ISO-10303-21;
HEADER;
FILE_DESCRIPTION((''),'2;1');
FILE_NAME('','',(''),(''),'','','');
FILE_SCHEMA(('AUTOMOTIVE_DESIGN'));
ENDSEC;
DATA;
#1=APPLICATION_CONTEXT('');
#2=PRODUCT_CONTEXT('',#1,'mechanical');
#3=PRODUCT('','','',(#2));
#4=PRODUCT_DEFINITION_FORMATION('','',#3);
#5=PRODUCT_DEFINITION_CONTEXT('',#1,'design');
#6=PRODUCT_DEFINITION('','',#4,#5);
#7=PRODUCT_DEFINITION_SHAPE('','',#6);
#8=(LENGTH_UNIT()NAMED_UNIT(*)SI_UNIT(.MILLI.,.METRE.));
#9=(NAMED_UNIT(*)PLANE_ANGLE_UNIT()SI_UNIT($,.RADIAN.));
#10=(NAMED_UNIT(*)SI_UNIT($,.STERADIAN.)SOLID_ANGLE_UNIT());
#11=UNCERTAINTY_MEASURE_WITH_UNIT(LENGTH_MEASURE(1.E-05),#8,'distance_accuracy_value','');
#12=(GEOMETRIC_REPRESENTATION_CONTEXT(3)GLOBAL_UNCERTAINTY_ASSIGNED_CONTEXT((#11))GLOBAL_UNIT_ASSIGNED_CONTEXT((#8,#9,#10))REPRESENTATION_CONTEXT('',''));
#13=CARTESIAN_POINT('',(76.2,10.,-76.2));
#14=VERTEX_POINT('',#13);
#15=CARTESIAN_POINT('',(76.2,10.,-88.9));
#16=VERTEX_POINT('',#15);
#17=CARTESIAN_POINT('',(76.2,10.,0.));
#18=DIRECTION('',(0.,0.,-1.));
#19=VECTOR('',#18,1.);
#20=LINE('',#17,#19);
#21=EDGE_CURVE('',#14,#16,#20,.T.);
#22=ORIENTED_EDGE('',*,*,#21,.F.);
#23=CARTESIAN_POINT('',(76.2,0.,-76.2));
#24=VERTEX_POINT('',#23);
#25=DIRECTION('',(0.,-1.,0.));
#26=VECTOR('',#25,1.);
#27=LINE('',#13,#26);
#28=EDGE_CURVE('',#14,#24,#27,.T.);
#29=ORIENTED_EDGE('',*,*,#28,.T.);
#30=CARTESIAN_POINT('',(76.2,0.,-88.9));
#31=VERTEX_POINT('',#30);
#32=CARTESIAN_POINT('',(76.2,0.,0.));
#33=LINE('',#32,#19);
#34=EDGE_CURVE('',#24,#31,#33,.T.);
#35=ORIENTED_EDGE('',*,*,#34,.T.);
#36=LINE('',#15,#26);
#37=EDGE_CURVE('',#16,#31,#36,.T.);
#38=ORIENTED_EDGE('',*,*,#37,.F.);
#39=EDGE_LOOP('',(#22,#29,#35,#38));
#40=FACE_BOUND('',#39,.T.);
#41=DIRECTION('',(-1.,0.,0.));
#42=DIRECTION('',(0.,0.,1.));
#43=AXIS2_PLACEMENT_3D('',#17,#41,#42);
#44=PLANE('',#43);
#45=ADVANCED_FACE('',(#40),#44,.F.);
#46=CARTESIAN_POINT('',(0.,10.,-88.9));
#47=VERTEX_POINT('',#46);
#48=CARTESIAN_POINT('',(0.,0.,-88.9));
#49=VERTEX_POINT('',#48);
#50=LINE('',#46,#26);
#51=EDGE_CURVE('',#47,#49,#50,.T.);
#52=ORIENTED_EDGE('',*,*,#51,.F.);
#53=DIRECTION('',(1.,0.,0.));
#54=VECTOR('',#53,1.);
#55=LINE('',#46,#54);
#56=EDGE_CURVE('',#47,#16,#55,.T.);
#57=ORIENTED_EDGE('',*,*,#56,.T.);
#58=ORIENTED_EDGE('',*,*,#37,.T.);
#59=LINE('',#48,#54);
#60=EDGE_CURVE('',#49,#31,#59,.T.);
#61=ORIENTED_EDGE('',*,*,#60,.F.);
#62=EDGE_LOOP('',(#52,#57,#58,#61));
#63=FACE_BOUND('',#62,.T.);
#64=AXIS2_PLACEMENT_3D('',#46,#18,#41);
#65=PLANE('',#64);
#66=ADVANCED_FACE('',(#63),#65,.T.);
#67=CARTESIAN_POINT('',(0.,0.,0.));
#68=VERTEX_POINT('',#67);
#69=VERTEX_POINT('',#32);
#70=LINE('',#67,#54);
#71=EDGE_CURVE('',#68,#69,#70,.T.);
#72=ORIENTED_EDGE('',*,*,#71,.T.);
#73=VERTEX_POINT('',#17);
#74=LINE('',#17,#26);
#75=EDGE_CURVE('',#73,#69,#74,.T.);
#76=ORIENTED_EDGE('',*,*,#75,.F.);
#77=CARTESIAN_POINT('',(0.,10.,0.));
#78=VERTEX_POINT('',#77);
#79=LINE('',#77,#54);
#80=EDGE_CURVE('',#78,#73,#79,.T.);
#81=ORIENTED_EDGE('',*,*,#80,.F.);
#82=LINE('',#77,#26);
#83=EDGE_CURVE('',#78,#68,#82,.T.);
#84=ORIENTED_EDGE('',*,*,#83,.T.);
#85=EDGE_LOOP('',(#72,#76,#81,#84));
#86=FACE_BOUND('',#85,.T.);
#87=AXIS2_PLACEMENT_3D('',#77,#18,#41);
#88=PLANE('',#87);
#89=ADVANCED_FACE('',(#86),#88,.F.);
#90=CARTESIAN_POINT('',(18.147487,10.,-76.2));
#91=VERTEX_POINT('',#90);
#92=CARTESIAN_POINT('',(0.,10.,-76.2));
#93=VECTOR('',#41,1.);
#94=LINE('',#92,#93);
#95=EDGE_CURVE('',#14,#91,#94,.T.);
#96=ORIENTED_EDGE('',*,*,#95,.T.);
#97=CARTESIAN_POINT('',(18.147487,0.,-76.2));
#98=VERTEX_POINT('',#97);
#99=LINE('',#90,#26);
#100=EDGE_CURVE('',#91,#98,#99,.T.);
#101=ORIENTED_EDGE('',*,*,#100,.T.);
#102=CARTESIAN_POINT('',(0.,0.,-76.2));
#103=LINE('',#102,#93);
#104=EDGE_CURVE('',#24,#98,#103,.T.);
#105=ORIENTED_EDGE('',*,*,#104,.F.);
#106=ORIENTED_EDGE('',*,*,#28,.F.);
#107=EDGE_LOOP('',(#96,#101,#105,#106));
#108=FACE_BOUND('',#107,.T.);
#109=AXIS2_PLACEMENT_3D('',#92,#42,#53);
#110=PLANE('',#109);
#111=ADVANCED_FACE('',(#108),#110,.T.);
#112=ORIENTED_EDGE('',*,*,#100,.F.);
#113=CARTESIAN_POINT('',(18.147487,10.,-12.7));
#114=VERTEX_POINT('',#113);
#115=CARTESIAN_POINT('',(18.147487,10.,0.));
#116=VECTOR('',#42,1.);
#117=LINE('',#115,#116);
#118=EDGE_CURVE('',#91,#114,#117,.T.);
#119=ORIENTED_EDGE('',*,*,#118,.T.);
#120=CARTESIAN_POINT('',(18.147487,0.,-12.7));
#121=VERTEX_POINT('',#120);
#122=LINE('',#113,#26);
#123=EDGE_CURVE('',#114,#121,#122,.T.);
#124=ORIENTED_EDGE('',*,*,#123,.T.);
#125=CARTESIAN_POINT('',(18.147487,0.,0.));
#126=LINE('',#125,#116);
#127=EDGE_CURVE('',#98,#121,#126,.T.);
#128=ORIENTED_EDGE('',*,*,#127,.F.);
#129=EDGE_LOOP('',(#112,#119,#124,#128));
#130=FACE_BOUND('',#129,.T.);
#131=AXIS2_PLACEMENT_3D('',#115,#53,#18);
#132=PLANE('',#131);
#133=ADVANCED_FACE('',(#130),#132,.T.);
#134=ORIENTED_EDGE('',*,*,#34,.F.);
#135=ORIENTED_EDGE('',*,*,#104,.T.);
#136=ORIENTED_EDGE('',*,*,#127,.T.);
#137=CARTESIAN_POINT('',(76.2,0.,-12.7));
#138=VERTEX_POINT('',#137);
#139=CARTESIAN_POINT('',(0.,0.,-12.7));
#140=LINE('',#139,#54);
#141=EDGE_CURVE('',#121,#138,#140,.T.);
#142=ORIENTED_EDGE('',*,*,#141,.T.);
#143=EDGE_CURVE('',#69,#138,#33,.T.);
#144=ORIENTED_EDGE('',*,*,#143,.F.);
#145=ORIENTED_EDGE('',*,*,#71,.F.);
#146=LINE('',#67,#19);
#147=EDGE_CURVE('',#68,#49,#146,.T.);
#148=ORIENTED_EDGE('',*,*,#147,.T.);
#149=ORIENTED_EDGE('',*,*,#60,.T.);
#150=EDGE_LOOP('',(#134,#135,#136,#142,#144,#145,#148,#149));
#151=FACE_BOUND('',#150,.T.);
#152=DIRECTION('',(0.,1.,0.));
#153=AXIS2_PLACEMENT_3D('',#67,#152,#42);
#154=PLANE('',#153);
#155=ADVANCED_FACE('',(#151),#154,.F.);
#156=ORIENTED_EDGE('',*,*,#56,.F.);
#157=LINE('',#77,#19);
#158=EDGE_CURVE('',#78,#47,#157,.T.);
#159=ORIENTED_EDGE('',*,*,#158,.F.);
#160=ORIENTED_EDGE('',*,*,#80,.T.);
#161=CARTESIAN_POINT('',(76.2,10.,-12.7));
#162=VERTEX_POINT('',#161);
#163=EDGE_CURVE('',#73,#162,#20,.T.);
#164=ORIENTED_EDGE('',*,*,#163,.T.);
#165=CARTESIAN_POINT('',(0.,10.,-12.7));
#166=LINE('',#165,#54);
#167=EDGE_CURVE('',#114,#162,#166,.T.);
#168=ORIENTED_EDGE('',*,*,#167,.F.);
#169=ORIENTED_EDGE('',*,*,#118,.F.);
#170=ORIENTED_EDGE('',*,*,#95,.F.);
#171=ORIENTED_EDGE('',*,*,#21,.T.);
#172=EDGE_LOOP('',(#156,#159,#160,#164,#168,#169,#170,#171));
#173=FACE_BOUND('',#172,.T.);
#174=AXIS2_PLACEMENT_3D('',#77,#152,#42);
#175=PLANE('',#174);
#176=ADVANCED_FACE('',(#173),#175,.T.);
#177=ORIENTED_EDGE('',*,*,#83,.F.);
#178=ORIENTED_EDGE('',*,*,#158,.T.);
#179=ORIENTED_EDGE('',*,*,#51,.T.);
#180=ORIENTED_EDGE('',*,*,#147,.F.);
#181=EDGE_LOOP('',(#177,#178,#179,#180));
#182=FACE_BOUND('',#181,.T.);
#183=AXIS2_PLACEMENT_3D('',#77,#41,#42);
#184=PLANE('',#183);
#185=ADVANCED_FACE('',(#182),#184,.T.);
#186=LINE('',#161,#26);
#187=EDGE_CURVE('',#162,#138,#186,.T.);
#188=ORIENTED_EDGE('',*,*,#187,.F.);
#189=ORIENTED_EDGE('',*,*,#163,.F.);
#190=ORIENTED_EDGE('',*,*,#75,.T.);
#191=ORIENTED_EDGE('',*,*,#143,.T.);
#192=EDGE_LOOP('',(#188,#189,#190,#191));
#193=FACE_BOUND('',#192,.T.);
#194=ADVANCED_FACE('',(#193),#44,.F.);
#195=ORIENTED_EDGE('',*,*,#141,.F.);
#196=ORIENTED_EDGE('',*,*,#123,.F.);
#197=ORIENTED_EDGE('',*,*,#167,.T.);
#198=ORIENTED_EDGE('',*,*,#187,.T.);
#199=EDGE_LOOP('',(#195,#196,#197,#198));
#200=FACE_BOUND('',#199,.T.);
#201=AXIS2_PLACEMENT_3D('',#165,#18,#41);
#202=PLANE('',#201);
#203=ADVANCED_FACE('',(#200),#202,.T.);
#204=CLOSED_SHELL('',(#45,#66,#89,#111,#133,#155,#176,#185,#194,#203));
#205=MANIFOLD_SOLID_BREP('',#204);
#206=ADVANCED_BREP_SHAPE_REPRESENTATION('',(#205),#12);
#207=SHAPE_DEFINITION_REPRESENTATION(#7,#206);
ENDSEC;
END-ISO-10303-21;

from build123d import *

# Parameters (mm, degrees)
BOSS_EXTRUDE1_DEPTH = 10


with BuildPart() as part:
    # Sketch1 → Boss-Extrude1 (new body)
    with BuildSketch(Plane(origin=(0, 0, 0), x_dir=(1, 0, 0), z_dir=(0, 1, 0))):
        Polygon((18.147487469, 76.2), (76.2, 76.2), (76.2, 88.9), (0, 88.9), (0, 0), (76.2, 0), (76.2, 12.7), (18.147487469, 12.7), align=None)
    extrude(amount=BOSS_EXTRUDE1_DEPTH)


solid = part.part
